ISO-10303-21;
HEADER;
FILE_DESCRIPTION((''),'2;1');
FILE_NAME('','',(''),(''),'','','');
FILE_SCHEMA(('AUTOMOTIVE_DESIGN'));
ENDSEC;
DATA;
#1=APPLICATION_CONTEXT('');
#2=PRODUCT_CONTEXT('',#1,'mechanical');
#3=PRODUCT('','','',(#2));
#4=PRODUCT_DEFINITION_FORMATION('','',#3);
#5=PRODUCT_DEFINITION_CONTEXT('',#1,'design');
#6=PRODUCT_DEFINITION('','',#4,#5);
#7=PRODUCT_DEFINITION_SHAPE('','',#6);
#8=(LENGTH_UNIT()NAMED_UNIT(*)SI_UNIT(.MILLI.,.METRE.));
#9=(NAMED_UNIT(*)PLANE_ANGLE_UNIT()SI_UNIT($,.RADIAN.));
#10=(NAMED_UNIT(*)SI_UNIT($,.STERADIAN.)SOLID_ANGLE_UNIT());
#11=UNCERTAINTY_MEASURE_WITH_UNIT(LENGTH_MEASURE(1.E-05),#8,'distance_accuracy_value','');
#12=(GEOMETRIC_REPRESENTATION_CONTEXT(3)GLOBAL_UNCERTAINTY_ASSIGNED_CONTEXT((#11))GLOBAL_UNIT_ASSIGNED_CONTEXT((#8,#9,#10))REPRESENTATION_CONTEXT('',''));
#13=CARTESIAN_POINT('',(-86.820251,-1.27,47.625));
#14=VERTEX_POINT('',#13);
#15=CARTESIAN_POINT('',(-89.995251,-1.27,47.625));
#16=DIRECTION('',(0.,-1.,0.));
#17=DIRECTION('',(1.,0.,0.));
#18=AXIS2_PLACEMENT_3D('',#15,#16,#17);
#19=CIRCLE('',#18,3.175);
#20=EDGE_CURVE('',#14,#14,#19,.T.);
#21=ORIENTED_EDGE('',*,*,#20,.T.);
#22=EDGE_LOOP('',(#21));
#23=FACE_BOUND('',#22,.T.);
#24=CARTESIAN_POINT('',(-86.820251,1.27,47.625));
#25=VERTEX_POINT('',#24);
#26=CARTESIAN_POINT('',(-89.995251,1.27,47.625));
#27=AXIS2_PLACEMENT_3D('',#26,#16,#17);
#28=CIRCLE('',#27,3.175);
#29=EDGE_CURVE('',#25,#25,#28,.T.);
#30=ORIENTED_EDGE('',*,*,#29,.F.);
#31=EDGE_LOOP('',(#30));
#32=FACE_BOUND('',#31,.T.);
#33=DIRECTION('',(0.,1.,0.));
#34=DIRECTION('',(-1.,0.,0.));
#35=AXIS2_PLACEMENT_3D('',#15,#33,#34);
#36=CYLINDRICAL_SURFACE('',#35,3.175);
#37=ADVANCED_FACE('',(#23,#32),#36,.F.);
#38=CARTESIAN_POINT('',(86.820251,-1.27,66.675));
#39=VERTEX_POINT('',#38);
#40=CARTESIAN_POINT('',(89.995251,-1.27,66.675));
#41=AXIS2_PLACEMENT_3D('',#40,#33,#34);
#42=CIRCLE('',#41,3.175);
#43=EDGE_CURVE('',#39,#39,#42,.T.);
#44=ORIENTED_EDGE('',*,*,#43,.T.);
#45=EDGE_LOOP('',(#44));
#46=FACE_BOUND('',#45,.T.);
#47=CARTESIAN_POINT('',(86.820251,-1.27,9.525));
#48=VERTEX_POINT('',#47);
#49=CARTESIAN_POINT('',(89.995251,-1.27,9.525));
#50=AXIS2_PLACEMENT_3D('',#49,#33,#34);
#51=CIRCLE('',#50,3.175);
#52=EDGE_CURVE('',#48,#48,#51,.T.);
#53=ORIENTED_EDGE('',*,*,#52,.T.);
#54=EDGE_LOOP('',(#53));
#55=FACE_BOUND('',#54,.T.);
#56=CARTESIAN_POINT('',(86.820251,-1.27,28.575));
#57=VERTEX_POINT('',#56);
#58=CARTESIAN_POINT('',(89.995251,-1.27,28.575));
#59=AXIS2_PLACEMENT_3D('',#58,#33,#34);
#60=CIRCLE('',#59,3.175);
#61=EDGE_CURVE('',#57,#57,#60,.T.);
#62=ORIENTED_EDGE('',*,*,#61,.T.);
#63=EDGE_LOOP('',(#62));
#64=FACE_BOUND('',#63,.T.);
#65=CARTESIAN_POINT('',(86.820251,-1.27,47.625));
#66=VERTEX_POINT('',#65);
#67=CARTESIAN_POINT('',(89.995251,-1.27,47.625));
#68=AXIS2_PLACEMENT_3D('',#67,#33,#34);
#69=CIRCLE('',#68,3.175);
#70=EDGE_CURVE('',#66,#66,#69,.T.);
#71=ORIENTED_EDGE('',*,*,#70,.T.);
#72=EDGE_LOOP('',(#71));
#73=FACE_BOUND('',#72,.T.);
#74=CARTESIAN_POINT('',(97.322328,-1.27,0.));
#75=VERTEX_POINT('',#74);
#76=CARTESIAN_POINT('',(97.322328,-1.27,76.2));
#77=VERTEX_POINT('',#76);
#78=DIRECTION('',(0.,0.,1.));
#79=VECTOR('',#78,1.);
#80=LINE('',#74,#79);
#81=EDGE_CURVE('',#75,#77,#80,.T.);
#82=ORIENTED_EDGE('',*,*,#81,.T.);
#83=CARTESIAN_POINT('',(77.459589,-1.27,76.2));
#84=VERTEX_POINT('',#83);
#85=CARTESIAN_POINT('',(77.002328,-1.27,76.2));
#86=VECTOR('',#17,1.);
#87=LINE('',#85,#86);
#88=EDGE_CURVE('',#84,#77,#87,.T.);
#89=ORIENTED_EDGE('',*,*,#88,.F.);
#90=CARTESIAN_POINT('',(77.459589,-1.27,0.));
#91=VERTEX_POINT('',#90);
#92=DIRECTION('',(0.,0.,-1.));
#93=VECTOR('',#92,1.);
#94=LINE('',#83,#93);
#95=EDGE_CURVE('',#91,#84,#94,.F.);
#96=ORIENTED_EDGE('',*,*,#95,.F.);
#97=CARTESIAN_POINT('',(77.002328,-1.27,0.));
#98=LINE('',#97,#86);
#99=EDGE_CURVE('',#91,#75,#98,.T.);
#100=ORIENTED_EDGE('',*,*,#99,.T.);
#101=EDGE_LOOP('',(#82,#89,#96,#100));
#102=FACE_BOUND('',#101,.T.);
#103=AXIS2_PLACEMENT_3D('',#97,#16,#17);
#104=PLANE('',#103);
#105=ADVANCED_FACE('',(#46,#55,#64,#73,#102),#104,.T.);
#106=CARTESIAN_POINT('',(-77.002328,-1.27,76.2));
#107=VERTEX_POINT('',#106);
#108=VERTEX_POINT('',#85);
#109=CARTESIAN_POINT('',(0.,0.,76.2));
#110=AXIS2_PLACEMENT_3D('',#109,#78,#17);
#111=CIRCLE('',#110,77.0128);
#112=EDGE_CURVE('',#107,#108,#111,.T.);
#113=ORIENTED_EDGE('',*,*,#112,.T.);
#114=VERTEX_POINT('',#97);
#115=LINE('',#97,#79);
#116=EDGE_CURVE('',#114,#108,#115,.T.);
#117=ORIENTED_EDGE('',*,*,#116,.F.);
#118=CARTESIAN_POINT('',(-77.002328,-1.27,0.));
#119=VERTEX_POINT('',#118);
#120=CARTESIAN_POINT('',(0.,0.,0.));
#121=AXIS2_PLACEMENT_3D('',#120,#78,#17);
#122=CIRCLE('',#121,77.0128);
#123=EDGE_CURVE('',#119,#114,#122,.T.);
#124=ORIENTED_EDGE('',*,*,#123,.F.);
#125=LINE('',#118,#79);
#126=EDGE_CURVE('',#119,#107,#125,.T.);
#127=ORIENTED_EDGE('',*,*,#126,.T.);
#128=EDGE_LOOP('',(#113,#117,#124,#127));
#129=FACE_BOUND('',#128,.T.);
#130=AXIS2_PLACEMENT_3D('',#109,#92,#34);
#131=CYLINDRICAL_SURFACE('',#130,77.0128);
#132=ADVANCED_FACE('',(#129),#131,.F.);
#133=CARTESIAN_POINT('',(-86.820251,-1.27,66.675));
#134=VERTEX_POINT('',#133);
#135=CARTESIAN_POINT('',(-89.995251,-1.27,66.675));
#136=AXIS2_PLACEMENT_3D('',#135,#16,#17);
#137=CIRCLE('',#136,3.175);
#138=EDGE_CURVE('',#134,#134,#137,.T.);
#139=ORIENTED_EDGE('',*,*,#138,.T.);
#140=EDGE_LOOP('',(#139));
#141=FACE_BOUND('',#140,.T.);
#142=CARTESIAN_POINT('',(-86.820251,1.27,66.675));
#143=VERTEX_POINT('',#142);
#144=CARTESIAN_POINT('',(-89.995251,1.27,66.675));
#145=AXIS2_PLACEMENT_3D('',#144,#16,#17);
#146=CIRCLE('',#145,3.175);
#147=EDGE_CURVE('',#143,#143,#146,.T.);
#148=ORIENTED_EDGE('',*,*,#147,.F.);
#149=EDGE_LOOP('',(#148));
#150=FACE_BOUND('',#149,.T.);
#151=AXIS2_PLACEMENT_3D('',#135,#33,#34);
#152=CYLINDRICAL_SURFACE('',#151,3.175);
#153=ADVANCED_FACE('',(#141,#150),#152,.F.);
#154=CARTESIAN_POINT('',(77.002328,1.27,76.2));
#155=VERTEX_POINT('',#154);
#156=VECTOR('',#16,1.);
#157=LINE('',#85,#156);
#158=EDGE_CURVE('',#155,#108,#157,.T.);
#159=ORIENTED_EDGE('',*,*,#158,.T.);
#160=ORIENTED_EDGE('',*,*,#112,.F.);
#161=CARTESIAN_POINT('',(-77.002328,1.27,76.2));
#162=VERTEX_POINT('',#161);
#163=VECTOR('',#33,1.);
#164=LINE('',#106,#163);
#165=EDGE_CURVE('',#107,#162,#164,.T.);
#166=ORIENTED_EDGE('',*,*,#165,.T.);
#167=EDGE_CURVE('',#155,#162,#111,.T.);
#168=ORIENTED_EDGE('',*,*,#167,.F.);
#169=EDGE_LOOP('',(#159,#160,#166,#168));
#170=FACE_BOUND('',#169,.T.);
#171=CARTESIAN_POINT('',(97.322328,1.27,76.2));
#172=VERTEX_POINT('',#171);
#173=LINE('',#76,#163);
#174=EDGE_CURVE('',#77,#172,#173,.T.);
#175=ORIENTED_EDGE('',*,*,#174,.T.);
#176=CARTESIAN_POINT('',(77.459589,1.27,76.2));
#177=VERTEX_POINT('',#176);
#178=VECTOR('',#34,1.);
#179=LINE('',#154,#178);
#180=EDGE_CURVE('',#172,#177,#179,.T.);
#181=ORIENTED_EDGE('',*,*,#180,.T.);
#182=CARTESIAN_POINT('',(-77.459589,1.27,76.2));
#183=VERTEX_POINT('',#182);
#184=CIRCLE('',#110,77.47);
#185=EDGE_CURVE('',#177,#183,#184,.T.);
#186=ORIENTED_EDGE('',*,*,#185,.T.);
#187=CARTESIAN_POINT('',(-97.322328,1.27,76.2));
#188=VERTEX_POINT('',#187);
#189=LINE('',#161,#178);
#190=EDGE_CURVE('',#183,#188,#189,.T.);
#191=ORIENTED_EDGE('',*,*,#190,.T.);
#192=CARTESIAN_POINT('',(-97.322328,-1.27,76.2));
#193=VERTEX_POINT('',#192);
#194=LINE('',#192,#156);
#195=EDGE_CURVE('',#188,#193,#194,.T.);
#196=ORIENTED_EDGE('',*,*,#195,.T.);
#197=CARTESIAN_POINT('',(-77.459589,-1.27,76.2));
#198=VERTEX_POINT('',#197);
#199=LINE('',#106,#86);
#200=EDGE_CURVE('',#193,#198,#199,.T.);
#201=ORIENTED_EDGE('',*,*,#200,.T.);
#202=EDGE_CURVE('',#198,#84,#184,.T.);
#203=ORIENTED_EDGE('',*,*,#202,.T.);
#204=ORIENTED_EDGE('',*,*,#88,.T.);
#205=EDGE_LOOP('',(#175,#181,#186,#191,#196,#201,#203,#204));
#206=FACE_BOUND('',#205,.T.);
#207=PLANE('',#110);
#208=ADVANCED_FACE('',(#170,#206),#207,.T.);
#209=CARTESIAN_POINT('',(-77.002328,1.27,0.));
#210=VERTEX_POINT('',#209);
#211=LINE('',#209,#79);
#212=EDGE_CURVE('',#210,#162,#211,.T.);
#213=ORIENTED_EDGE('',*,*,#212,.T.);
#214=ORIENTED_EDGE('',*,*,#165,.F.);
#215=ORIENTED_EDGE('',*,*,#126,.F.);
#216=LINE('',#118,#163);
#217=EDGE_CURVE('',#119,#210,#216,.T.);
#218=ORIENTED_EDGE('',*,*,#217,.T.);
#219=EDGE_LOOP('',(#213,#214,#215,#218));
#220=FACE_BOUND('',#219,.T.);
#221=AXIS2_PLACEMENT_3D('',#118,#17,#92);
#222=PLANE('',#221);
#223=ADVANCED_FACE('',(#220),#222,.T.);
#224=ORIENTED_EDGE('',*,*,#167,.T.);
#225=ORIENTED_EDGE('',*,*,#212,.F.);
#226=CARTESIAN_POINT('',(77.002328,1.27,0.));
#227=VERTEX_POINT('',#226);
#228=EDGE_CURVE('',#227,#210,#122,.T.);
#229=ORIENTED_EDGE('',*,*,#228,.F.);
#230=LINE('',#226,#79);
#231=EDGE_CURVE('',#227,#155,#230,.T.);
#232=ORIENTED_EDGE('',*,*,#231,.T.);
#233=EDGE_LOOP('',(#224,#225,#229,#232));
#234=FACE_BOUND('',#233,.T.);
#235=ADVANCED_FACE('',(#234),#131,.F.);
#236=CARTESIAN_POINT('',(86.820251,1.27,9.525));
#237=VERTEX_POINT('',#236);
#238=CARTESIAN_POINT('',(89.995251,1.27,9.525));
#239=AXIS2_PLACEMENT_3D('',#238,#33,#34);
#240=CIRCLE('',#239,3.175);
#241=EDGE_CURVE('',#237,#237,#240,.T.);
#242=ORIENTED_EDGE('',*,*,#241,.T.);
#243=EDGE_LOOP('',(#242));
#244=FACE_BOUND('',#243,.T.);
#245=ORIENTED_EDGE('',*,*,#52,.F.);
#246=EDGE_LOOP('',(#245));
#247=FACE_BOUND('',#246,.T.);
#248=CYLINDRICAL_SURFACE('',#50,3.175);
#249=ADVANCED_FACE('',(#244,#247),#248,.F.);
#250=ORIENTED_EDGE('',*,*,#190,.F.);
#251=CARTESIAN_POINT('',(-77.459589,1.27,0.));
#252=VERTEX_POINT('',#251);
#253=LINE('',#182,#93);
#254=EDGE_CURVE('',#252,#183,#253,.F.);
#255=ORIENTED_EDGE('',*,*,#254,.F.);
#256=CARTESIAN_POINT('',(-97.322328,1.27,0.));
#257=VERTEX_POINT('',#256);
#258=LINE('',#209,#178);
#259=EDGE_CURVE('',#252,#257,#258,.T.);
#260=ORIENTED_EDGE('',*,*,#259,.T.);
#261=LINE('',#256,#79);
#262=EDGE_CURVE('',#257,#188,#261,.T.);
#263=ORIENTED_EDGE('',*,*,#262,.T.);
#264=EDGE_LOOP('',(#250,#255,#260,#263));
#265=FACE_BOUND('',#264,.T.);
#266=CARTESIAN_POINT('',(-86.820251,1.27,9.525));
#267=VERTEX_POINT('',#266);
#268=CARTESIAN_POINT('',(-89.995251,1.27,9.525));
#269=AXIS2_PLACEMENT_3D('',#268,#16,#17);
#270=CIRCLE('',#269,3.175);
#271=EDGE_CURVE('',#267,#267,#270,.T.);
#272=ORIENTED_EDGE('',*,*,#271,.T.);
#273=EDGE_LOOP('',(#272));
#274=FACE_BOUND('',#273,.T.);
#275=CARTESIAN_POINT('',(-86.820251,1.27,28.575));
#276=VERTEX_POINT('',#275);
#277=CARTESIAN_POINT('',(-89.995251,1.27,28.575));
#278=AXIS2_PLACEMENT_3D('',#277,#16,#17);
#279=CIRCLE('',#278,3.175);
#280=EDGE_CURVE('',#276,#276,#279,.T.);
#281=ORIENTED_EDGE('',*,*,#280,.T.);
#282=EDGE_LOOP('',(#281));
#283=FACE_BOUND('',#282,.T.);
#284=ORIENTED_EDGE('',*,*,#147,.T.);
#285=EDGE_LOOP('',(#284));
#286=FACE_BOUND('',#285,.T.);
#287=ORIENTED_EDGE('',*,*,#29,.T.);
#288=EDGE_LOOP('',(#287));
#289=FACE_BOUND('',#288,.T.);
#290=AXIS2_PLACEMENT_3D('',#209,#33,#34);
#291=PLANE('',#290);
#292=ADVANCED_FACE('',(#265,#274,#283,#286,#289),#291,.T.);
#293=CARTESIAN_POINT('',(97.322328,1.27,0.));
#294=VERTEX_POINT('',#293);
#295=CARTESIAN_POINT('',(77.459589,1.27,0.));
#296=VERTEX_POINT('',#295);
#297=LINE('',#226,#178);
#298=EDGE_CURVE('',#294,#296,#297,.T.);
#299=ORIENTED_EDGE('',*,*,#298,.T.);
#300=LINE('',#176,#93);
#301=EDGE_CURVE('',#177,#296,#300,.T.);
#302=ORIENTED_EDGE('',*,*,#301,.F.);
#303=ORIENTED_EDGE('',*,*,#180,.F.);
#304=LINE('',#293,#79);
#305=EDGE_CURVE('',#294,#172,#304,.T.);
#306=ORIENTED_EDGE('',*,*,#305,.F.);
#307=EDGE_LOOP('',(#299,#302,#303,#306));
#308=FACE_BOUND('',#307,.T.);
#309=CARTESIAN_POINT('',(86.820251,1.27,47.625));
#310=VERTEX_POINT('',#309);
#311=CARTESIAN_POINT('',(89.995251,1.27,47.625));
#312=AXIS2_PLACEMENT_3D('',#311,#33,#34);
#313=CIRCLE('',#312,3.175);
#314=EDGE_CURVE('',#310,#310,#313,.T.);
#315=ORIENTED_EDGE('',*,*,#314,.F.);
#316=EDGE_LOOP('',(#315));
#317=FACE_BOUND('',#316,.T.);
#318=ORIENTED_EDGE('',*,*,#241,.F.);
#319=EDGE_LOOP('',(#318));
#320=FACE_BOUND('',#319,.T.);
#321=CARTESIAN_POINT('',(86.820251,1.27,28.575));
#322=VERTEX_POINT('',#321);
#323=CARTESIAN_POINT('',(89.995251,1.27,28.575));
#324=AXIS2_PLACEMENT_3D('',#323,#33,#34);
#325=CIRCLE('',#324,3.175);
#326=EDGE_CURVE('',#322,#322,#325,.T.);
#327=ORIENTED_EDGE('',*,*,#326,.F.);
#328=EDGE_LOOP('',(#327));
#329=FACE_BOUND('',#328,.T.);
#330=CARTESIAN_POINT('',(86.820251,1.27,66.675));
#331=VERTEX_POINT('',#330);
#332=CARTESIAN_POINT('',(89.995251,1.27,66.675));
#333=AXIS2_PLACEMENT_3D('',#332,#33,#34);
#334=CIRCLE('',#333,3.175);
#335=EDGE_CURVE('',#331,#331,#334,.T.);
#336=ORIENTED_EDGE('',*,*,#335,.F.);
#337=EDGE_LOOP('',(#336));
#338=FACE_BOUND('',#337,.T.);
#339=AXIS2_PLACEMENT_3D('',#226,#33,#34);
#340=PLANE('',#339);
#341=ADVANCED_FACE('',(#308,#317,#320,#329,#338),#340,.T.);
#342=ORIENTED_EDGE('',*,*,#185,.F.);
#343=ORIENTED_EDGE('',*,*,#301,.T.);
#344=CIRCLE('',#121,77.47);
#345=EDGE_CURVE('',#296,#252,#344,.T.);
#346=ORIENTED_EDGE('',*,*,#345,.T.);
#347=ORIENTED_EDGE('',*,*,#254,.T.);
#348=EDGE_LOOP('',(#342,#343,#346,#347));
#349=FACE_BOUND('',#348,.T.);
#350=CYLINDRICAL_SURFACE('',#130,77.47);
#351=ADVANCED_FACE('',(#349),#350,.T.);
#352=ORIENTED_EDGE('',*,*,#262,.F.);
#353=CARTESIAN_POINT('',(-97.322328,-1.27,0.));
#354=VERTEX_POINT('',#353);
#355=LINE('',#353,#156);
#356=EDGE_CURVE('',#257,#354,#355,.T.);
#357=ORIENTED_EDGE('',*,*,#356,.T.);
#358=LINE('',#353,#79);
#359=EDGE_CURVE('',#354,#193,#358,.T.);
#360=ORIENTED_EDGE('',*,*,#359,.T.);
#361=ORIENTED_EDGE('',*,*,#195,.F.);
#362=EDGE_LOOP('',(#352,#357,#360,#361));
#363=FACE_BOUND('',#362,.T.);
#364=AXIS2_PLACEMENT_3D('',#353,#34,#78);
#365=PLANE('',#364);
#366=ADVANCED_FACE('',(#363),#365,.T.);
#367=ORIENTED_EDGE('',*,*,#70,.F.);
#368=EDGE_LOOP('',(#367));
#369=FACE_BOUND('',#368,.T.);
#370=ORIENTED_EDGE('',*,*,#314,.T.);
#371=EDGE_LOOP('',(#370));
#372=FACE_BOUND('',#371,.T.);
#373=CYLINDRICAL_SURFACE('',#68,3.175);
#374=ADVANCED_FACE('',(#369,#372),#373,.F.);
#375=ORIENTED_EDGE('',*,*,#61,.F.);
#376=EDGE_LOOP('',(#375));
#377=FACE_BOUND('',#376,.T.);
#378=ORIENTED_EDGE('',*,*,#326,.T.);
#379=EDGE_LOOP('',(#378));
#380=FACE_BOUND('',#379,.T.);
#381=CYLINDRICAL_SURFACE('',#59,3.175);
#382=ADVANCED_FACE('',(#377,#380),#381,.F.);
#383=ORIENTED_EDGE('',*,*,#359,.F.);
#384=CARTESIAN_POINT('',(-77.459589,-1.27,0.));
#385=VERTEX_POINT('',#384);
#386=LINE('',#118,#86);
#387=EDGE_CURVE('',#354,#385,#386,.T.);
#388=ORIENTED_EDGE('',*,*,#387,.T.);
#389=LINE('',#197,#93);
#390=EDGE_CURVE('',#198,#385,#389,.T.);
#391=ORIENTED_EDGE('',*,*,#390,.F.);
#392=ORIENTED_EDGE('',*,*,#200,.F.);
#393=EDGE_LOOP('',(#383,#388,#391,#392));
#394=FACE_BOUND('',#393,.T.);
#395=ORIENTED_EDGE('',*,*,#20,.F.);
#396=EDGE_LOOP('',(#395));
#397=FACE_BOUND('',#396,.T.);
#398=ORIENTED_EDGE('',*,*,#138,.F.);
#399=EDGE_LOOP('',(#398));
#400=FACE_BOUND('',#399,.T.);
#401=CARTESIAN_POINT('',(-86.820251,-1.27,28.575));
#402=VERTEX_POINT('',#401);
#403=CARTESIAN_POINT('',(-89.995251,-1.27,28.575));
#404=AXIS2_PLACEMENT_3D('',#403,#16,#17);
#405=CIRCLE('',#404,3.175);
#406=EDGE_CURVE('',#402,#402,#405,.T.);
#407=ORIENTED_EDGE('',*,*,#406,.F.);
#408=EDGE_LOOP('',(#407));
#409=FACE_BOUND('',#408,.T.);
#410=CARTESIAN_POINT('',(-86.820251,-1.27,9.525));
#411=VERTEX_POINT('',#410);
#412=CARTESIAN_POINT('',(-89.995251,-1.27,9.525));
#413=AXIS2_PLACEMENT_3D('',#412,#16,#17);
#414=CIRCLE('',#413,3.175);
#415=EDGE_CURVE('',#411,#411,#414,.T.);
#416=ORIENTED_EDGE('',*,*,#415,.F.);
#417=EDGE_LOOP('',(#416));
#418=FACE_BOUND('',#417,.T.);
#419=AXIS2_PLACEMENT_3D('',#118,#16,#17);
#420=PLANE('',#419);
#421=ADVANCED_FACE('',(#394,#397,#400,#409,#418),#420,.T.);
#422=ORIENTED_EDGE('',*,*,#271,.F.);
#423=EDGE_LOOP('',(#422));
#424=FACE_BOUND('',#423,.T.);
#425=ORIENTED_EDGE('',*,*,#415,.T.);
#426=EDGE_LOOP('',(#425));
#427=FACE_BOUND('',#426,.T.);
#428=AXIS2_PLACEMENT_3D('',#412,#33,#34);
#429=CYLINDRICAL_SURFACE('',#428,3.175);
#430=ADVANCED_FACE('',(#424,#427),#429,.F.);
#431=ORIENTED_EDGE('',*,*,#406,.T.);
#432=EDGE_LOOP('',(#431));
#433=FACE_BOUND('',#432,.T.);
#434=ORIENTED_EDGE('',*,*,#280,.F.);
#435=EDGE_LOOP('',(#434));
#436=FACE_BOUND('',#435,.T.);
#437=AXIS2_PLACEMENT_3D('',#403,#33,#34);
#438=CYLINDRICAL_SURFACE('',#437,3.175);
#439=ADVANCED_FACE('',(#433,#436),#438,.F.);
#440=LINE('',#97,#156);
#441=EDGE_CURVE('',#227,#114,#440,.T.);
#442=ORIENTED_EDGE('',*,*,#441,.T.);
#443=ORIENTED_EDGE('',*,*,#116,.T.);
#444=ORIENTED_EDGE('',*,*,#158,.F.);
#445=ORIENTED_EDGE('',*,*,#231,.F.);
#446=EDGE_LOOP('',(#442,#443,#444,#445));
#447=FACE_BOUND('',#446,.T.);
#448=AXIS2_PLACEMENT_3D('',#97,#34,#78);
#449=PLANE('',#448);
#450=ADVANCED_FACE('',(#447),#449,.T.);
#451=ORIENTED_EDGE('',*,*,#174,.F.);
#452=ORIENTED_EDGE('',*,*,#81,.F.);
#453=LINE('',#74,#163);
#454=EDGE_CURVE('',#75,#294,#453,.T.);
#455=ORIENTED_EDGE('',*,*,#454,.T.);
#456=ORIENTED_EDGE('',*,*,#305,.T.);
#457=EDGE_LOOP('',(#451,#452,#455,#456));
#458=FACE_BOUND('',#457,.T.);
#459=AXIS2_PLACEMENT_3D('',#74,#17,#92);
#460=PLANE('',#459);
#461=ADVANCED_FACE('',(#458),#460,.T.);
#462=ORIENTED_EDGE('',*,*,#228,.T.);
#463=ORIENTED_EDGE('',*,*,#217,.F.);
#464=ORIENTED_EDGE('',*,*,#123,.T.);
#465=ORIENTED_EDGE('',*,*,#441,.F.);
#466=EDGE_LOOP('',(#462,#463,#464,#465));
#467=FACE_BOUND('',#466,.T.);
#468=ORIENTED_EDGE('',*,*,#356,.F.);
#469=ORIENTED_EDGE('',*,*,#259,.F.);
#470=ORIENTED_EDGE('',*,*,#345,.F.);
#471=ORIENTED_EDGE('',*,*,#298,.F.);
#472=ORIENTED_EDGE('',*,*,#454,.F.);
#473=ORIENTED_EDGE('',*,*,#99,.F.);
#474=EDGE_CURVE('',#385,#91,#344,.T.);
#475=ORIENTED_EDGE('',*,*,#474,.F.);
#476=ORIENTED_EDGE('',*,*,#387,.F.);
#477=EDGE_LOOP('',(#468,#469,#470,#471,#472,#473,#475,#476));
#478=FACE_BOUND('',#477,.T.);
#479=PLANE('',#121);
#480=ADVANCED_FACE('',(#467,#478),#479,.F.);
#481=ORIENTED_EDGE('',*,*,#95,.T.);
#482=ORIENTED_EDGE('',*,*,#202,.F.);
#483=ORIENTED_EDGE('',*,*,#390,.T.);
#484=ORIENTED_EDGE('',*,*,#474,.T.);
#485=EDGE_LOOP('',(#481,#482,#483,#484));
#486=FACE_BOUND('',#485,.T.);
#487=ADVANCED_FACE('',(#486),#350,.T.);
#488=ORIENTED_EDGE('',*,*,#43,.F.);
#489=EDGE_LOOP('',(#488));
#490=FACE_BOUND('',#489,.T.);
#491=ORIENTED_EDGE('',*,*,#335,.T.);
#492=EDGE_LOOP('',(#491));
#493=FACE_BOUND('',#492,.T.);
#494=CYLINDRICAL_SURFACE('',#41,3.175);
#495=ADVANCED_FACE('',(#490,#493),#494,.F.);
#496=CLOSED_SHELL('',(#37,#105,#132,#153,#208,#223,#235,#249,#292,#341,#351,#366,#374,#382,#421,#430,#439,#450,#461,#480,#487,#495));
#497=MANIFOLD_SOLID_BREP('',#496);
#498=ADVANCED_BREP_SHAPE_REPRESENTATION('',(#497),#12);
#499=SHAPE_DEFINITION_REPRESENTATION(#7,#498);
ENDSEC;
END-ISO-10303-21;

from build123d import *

# Parameters (mm, degrees)
SKETCH1_R           = 77.47
SKETCH1_R_2         = 77.0128
BOSS_EXTRUDE1_DEPTH = 76.2
SKETCH2_W           = 20.32
SKETCH2_H           = 2.54
BOSS_EXTRUDE2_DEPTH = 76.2
SKETCH3_R           = 3.175
CUT_EXTRUDE3_DEPTH  = 2.54


with BuildPart() as part:
    # Sketch1 → Boss-Extrude1 (new body)
    with BuildSketch(Plane.XY):
        Circle(SKETCH1_R)
        Circle(SKETCH1_R_2, mode=Mode.SUBTRACT)
    extrude(amount=BOSS_EXTRUDE1_DEPTH)

    # Sketch2 → Boss-Extrude2 (add)
    with BuildSketch(Plane.XY.offset(76.2)):
        with Locations((87.162327652, 0)):
            Rectangle(SKETCH2_W, SKETCH2_H)
        with Locations((-87.162327652, 0)):
            Rectangle(SKETCH2_W, SKETCH2_H)
    extrude(amount=-BOSS_EXTRUDE2_DEPTH)

    # Sketch3 → Cut-Extrude3 (cut)
    with BuildSketch(Plane(origin=(0, 1.27, 0), x_dir=(1, 0, 0), z_dir=(0, 1, 0))):
        with Locations((89.995251464, -9.525)):
            Circle(SKETCH3_R)
        with Locations((89.995251464, -28.575)):
            Circle(SKETCH3_R)
        with Locations((89.995251464, -47.625)):
            Circle(SKETCH3_R)
        with Locations((89.995251464, -66.675)):
            Circle(SKETCH3_R)
        with Locations((-89.995251464, -9.525)):
            Circle(SKETCH3_R)
        with Locations((-89.995251464, -28.575)):
            Circle(SKETCH3_R)
        with Locations((-89.995251464, -47.625)):
            Circle(SKETCH3_R)
        with Locations((-89.995251464, -66.675)):
            Circle(SKETCH3_R)
    extrude(amount=-CUT_EXTRUDE3_DEPTH, mode=Mode.SUBTRACT)


solid = part.part
